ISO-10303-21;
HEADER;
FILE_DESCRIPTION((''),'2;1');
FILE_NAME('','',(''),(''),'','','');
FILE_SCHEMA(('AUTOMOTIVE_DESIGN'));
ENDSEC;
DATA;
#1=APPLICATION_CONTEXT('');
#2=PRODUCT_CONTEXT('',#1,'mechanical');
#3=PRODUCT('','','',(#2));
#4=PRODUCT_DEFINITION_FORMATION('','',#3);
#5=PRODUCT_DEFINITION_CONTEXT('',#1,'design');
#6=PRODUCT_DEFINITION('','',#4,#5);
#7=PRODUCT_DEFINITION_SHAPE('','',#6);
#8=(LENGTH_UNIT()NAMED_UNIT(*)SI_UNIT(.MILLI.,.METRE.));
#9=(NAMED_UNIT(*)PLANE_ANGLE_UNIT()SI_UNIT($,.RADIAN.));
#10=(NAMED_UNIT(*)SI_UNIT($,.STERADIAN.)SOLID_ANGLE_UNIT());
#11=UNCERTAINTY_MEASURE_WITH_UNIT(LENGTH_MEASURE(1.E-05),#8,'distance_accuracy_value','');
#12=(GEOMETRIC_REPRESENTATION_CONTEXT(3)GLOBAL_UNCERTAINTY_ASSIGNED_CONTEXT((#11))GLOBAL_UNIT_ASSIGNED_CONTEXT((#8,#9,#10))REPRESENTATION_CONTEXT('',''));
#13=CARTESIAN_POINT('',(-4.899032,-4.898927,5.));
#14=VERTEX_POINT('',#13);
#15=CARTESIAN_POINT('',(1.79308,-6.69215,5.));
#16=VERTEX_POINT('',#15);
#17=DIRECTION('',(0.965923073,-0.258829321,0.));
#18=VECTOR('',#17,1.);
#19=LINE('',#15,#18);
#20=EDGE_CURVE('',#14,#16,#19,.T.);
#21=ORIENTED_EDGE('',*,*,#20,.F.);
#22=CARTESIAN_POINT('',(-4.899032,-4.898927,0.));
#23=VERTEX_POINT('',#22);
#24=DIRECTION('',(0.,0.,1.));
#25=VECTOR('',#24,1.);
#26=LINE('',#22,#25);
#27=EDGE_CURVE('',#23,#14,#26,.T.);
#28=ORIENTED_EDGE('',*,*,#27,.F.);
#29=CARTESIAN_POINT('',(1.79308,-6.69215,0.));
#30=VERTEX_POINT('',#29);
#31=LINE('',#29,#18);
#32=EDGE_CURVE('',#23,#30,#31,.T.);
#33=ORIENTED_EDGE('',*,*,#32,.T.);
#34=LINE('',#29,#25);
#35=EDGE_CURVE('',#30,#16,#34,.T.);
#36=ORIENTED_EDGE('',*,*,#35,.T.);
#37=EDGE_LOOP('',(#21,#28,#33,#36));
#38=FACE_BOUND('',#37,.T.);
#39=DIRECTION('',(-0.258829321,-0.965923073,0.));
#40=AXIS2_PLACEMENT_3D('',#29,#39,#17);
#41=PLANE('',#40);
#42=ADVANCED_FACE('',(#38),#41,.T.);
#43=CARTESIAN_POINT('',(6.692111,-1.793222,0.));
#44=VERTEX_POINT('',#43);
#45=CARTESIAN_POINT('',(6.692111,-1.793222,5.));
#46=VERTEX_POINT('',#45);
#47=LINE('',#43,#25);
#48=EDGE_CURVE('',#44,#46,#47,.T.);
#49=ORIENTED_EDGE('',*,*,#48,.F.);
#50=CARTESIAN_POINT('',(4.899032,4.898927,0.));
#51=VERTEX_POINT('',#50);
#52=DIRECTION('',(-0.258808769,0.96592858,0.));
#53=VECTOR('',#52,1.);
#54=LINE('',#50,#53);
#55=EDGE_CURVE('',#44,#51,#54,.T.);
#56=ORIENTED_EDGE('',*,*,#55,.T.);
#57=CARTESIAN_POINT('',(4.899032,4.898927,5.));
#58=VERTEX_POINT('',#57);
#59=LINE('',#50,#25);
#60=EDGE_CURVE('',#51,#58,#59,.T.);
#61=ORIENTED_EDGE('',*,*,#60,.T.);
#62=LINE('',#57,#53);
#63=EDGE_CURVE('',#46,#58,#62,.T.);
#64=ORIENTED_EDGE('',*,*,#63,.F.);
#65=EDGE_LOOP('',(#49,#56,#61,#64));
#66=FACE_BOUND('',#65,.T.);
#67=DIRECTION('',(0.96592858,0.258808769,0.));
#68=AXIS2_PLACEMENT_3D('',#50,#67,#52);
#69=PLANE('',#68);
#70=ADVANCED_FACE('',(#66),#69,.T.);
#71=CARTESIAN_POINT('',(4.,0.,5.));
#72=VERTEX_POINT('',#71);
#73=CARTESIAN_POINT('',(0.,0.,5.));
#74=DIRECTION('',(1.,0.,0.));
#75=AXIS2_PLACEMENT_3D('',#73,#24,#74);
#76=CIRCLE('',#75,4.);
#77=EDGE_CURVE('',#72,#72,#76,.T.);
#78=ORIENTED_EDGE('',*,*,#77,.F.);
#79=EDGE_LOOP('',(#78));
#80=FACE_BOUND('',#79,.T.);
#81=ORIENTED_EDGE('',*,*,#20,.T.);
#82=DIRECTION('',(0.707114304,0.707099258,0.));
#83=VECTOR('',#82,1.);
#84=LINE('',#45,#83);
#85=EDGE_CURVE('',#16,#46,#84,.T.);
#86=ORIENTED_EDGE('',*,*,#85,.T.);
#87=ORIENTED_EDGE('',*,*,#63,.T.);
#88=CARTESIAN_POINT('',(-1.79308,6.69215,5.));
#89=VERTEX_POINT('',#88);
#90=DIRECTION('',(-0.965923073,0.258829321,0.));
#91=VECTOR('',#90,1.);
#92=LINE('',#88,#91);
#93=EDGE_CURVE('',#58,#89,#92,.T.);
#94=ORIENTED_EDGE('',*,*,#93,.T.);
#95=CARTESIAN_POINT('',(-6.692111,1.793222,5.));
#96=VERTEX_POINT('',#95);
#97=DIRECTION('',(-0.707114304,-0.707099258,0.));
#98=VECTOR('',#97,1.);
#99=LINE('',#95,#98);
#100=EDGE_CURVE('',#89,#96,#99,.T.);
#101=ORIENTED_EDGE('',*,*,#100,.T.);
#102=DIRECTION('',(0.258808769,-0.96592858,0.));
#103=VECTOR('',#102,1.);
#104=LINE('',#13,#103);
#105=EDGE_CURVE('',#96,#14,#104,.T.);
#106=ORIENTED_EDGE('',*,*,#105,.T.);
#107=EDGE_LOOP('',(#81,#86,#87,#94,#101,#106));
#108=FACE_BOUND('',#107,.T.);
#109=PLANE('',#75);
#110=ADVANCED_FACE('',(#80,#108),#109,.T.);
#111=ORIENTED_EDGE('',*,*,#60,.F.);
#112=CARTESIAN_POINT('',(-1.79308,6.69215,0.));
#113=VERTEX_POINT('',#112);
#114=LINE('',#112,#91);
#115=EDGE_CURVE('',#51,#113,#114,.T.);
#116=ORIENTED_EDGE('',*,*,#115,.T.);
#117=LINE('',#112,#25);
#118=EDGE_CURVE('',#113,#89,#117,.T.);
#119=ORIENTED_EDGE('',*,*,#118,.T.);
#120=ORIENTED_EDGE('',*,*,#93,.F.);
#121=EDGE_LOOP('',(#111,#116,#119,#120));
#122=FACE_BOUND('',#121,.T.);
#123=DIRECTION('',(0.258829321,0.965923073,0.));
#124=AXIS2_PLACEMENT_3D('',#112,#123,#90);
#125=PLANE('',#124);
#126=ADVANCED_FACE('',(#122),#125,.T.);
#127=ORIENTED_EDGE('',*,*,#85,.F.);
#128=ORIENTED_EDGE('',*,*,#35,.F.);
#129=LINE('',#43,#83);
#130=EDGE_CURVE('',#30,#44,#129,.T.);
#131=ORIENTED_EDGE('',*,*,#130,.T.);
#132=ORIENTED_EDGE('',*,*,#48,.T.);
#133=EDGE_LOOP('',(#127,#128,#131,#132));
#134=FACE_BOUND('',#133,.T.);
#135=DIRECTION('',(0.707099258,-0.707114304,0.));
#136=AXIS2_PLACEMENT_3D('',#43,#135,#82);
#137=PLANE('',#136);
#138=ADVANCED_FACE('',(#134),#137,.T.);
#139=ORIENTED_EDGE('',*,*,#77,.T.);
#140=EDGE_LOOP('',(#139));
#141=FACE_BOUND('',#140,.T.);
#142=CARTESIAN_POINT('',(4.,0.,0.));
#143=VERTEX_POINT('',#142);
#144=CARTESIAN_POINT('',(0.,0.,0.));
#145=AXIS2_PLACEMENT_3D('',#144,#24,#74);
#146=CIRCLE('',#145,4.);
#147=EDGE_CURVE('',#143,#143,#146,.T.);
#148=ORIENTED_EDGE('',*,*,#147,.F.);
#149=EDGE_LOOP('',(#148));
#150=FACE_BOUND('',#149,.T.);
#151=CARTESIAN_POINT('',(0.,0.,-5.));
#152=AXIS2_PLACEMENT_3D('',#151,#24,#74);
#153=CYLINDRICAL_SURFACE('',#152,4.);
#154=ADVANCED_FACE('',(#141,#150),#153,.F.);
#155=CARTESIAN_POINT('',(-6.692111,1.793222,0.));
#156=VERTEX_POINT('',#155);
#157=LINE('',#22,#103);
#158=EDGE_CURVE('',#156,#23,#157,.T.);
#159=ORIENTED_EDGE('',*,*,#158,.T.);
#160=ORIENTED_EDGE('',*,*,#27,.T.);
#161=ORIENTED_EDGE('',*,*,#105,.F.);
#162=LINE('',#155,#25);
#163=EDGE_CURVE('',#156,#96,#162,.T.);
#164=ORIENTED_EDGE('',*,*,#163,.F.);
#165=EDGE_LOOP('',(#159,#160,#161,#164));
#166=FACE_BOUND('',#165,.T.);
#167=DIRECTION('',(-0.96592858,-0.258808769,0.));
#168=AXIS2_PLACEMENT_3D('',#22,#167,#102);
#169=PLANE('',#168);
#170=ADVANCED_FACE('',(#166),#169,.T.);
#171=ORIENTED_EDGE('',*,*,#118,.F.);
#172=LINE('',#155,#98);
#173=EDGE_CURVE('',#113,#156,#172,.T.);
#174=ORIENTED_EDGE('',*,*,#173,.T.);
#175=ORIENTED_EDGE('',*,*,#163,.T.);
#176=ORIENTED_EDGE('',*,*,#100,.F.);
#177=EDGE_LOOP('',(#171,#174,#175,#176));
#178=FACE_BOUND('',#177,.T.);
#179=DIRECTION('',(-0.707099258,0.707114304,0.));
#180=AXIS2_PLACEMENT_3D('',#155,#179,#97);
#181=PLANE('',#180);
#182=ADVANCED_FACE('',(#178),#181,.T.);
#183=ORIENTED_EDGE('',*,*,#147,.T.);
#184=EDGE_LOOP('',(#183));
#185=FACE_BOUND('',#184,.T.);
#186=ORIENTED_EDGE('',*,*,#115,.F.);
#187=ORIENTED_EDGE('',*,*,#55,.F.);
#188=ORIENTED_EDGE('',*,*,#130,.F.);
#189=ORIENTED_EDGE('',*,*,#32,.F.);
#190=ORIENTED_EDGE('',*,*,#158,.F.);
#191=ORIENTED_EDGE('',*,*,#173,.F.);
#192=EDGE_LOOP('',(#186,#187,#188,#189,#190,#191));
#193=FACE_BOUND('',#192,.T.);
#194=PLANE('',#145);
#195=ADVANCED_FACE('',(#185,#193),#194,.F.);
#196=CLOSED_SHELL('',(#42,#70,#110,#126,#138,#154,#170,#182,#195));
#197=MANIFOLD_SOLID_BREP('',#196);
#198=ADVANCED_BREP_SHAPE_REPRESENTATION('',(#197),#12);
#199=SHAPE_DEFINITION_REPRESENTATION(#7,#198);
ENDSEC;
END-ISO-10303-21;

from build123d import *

# Parameters (mm, degrees)
CROQUIS1_R              = 6
CROQUIS1_R_2            = 2.5
SALIENTE_EXTRUIR1_DEPTH = 5
CROQUIS2_R              = 4
SALIENTE_EXTRUIR2_DEPTH = 5
CROQUIS3_R              = 4
CORTAR_EXTRUIR1_DEPTH   = 10


with BuildPart() as part:
    # Croquis1 → Saliente-Extruir1 (new body)
    with BuildSketch(Plane.XY):
        Circle(CROQUIS1_R)
        Circle(CROQUIS1_R_2, mode=Mode.SUBTRACT)
    extrude(amount=SALIENTE_EXTRUIR1_DEPTH)

    # Croquis2 → Saliente-Extruir2 (add)
    with BuildSketch(Plane.XY.offset(5)):
        Polygon((-6.692111353, 1.79322214), (-1.793079748, 6.692149506), (4.899031604, 4.898927366), (6.692111353, -1.79322214), (1.793079748, -6.692149506), (-4.899031604, -4.898927366), align=None)
        Circle(CROQUIS2_R, mode=Mode.SUBTRACT)
    extrude(amount=-SALIENTE_EXTRUIR2_DEPTH)

    # Croquis3 → Cortar-Extruir1 (cut)
    with BuildSketch(Plane.XY.offset(5)):
        Circle(CROQUIS3_R)
    extrude(amount=-CORTAR_EXTRUIR1_DEPTH, mode=Mode.SUBTRACT)


solid = part.part
